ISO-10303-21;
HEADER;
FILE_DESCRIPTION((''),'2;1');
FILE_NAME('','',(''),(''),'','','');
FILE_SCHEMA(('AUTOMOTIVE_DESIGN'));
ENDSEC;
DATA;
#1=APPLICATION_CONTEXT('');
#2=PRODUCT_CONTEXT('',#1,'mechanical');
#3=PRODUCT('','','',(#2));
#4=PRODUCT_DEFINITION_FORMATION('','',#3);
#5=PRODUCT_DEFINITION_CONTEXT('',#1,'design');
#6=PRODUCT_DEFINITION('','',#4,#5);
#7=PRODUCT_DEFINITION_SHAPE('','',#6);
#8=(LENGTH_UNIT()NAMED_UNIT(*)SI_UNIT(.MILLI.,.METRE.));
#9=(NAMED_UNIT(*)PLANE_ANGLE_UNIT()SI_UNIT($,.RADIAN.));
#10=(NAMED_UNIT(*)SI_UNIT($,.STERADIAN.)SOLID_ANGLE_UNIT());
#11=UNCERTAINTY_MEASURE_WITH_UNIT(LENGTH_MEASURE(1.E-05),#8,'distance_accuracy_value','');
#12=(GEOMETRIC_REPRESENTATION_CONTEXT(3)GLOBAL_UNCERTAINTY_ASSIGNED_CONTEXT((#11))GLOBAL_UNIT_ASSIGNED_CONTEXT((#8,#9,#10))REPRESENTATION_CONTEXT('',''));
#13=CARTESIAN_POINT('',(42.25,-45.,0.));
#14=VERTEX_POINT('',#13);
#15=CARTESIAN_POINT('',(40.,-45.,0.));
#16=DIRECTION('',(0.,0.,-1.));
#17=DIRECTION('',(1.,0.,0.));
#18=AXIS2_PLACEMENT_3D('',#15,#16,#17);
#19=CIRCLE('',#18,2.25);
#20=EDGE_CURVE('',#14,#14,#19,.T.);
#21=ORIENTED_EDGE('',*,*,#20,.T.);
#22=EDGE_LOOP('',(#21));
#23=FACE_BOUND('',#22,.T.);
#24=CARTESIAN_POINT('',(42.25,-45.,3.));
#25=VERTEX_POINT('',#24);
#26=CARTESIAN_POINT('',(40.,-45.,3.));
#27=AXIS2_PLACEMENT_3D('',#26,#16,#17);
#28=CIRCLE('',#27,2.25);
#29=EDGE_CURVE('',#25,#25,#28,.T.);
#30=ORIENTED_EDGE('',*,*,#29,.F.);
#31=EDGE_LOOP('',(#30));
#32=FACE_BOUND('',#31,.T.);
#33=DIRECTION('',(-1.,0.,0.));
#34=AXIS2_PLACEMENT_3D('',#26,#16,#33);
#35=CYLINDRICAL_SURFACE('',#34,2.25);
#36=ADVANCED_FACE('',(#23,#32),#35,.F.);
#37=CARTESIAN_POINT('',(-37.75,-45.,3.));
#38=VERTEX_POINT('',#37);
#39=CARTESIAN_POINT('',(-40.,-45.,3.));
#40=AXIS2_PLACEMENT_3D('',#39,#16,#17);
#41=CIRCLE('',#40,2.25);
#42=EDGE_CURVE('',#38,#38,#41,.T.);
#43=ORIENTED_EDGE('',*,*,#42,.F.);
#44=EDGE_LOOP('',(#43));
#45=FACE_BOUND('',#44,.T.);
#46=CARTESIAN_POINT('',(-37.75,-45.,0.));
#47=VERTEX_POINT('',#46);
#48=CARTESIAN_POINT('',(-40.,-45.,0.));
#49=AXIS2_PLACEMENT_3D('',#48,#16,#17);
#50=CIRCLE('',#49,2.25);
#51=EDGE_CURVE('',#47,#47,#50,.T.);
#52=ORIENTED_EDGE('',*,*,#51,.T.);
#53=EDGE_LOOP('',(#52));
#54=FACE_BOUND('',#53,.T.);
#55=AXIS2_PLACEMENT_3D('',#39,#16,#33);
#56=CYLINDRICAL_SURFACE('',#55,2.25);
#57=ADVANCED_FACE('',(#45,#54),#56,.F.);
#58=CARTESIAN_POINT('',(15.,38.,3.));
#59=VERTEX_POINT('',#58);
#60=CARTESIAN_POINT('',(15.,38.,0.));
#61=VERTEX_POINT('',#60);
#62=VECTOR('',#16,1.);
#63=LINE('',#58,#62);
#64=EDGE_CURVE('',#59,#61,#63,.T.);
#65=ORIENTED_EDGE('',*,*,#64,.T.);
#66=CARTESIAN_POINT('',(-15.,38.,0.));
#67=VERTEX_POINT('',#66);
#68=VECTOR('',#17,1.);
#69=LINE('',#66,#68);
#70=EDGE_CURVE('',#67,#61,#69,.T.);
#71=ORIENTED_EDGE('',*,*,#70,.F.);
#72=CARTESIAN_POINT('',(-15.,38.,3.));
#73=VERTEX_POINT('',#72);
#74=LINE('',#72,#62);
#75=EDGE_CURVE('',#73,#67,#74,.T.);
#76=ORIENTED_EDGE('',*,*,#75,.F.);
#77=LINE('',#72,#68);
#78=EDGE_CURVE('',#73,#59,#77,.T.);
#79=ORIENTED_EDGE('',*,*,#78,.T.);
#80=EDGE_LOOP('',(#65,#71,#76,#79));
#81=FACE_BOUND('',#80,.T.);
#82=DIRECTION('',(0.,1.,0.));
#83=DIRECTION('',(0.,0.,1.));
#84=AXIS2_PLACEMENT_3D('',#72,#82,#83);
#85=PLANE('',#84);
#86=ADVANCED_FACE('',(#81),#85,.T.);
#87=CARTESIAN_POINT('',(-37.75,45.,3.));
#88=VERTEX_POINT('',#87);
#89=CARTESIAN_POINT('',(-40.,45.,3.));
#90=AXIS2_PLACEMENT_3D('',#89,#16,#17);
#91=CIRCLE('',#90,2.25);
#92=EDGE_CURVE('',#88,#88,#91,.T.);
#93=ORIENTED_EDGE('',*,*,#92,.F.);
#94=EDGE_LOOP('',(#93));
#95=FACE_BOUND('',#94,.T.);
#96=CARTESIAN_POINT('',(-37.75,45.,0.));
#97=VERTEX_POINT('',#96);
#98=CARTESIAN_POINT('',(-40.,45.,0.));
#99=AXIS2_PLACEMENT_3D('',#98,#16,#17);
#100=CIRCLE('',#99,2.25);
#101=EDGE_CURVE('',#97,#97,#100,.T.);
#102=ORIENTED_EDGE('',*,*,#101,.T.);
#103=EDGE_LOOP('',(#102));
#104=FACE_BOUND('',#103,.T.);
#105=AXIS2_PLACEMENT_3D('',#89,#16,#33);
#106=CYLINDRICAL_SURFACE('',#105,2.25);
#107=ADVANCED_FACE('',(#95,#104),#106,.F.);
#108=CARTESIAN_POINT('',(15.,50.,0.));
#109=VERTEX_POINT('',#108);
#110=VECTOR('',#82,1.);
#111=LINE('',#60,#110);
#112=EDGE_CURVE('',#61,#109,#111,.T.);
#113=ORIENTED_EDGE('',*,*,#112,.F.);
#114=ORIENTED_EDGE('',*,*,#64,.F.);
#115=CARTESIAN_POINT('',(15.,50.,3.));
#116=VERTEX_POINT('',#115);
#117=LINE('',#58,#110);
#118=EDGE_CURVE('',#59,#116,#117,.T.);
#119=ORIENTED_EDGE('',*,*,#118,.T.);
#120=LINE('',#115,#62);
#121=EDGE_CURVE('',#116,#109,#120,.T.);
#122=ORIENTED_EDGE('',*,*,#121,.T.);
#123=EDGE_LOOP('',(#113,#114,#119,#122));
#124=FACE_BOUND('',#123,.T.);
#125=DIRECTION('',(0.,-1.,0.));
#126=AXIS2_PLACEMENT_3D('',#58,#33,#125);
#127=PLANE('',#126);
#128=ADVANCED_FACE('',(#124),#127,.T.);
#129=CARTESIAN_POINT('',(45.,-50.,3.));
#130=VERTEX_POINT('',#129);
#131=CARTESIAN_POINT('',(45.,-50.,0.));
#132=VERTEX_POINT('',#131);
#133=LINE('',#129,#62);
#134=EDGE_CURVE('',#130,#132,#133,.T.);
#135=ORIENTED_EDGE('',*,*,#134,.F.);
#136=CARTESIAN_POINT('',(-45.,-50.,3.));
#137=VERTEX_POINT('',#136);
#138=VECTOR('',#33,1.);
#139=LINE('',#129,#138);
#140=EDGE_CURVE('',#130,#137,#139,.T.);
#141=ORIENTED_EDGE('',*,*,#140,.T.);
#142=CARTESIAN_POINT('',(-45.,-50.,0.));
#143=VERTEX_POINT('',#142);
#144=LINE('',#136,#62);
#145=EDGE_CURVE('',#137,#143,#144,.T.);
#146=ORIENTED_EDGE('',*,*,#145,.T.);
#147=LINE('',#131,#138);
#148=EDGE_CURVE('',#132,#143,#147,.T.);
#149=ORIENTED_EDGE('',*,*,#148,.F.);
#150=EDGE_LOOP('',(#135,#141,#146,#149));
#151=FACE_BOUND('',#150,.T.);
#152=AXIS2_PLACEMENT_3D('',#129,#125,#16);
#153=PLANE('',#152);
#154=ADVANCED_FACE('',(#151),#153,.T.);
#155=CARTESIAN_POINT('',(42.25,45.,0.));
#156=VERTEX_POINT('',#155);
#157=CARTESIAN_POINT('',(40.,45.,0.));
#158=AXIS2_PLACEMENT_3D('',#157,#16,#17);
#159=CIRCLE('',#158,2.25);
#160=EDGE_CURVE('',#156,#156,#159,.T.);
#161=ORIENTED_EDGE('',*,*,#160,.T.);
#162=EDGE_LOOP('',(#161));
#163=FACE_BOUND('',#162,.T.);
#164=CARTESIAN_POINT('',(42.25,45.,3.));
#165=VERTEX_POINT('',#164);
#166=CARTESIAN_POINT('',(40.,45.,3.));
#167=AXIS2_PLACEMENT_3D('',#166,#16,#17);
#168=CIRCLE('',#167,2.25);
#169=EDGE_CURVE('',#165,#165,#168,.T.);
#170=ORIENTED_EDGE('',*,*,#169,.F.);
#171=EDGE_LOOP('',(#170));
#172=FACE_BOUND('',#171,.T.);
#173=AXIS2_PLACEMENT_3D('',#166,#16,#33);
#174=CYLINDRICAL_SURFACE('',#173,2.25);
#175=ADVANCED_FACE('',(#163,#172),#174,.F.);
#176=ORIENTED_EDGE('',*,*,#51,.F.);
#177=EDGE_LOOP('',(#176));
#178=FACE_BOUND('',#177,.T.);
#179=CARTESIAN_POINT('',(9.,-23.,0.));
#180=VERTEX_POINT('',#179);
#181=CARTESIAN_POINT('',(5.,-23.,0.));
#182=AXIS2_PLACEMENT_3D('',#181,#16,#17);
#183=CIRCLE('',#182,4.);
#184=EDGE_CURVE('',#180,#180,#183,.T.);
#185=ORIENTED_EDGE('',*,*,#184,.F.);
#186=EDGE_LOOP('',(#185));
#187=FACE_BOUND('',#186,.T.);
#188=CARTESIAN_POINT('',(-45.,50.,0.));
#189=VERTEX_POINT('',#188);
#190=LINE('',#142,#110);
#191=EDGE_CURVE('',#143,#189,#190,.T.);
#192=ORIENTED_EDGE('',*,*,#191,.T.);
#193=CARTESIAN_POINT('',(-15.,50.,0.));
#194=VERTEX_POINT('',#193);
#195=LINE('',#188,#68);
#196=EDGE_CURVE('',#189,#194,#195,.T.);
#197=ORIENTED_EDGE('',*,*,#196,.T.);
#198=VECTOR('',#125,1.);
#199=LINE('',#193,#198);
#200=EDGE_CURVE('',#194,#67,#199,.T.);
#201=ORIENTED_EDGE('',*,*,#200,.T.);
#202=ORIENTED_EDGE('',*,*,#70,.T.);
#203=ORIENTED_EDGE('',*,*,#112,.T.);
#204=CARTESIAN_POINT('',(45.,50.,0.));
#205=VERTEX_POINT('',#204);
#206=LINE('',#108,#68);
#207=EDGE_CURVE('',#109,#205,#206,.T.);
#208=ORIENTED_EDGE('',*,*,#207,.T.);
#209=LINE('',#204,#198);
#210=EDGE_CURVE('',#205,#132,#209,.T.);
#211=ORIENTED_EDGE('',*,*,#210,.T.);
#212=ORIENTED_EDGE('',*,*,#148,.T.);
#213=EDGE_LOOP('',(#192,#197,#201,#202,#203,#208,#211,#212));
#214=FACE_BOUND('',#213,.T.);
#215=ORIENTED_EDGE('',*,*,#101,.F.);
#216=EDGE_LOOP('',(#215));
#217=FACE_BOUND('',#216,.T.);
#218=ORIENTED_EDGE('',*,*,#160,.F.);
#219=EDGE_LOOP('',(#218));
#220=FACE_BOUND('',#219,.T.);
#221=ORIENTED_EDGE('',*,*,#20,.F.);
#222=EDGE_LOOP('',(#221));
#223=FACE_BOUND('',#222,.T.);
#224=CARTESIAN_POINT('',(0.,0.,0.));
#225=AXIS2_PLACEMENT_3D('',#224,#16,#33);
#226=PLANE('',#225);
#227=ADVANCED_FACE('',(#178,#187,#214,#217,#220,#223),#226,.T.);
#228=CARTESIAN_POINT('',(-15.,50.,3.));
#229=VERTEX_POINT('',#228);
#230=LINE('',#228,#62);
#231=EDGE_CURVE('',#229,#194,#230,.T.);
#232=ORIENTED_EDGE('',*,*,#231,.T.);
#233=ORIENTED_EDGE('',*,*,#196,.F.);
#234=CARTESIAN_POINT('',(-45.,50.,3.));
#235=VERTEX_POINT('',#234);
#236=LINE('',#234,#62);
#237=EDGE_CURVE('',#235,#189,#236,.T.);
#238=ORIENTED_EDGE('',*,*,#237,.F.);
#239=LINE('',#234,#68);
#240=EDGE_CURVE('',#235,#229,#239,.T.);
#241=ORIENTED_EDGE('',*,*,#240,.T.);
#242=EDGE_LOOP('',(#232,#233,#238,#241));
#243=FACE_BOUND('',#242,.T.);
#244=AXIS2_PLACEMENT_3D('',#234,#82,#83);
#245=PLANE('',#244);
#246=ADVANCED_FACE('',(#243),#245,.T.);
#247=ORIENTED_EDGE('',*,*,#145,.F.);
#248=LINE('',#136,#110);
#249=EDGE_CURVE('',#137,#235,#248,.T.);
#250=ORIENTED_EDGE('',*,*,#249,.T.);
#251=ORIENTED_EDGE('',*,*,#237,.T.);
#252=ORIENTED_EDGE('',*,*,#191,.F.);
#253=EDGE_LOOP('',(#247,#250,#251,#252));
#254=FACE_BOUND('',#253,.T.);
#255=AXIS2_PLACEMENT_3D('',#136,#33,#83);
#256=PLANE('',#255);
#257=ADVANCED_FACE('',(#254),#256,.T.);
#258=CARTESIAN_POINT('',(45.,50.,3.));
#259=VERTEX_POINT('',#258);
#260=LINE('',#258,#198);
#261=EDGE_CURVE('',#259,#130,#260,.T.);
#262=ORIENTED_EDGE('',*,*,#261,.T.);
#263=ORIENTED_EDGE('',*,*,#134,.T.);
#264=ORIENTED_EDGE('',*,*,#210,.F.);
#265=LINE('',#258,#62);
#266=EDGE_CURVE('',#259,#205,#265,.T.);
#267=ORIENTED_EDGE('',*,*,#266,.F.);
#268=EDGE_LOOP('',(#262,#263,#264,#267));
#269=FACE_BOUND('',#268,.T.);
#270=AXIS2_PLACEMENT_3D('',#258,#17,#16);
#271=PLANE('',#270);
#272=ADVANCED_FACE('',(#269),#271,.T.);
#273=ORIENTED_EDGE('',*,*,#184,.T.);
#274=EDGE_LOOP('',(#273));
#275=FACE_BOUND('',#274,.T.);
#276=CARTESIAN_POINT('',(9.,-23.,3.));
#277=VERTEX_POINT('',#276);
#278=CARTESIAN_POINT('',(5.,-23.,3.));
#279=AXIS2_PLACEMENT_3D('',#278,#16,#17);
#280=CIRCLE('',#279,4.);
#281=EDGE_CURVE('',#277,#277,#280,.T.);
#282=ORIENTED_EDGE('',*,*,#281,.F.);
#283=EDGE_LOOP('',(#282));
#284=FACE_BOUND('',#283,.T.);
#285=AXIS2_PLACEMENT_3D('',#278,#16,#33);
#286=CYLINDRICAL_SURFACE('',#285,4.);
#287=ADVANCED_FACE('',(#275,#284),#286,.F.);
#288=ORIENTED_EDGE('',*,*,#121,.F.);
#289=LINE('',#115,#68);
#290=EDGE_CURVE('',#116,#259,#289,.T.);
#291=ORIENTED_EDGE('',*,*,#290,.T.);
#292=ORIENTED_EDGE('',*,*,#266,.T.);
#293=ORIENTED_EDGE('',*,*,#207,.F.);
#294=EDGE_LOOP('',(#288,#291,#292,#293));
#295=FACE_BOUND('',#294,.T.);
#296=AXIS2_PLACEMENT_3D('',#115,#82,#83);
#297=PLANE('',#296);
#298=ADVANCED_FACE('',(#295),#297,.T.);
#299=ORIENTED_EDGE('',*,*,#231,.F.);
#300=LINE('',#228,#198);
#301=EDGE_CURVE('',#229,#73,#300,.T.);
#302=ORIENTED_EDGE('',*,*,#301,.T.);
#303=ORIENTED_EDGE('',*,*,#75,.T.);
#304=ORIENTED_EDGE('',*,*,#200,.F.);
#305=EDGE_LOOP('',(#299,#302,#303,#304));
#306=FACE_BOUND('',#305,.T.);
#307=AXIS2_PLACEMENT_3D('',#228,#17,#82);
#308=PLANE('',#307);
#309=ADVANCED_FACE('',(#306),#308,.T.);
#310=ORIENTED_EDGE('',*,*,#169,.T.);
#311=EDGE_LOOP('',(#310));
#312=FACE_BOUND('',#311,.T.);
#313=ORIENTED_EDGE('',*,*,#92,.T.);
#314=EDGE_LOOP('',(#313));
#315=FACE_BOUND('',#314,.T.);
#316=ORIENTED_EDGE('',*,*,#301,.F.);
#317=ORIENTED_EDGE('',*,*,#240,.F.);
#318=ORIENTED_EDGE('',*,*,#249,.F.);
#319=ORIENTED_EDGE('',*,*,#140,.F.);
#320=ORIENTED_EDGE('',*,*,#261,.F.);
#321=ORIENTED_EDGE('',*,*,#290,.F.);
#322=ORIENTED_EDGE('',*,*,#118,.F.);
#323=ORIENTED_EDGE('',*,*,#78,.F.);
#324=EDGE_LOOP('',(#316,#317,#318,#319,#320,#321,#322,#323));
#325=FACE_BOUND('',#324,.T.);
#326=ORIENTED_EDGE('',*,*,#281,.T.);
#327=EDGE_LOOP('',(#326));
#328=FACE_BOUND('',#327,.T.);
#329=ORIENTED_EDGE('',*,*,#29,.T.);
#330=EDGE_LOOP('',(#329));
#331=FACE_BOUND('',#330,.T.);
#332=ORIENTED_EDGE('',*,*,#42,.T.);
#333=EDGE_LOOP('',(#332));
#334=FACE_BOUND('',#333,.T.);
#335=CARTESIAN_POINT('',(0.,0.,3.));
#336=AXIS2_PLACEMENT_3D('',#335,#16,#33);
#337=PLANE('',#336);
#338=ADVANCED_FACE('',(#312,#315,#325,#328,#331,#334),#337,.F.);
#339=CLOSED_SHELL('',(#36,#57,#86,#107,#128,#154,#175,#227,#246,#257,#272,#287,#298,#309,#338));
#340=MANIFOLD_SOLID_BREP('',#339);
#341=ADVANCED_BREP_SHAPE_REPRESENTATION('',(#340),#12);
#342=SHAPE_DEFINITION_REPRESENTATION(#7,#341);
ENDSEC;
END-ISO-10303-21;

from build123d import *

# Parameters (mm, degrees)
SKETCH1_R           = 4
SKETCH1_R_2         = 2.25
BOSS_EXTRUDE1_DEPTH = 3


with BuildPart() as part:
    # Sketch1 → Boss-Extrude1 (new body)
    with BuildSketch(Plane(origin=(0, 0, 0), x_dir=(-1, 0, 0), z_dir=(0, 0, -1))):
        Polygon((15, 50), (15, 38), (-15, 38), (-15, 50), (-45, 50), (-45, -50), (45, -50), (45, 50), align=None)
        with Locations(Location((-5, -23, 0), (0, 0, 180))):
            Circle(SKETCH1_R, mode=Mode.SUBTRACT)
        with Locations(Location((40, 45, 0), (0, 0, 180))):
            Circle(SKETCH1_R_2, mode=Mode.SUBTRACT)
        with Locations(Location((-40, 45, 0), (0, 0, 180))):
            Circle(SKETCH1_R_2, mode=Mode.SUBTRACT)
        with Locations(Location((-40, -45, 0), (0, 0, 180))):
            Circle(SKETCH1_R_2, mode=Mode.SUBTRACT)
        with Locations(Location((40, -45, 0), (0, 0, 180))):
            Circle(SKETCH1_R_2, mode=Mode.SUBTRACT)
    extrude(amount=-BOSS_EXTRUDE1_DEPTH)


solid = part.part
